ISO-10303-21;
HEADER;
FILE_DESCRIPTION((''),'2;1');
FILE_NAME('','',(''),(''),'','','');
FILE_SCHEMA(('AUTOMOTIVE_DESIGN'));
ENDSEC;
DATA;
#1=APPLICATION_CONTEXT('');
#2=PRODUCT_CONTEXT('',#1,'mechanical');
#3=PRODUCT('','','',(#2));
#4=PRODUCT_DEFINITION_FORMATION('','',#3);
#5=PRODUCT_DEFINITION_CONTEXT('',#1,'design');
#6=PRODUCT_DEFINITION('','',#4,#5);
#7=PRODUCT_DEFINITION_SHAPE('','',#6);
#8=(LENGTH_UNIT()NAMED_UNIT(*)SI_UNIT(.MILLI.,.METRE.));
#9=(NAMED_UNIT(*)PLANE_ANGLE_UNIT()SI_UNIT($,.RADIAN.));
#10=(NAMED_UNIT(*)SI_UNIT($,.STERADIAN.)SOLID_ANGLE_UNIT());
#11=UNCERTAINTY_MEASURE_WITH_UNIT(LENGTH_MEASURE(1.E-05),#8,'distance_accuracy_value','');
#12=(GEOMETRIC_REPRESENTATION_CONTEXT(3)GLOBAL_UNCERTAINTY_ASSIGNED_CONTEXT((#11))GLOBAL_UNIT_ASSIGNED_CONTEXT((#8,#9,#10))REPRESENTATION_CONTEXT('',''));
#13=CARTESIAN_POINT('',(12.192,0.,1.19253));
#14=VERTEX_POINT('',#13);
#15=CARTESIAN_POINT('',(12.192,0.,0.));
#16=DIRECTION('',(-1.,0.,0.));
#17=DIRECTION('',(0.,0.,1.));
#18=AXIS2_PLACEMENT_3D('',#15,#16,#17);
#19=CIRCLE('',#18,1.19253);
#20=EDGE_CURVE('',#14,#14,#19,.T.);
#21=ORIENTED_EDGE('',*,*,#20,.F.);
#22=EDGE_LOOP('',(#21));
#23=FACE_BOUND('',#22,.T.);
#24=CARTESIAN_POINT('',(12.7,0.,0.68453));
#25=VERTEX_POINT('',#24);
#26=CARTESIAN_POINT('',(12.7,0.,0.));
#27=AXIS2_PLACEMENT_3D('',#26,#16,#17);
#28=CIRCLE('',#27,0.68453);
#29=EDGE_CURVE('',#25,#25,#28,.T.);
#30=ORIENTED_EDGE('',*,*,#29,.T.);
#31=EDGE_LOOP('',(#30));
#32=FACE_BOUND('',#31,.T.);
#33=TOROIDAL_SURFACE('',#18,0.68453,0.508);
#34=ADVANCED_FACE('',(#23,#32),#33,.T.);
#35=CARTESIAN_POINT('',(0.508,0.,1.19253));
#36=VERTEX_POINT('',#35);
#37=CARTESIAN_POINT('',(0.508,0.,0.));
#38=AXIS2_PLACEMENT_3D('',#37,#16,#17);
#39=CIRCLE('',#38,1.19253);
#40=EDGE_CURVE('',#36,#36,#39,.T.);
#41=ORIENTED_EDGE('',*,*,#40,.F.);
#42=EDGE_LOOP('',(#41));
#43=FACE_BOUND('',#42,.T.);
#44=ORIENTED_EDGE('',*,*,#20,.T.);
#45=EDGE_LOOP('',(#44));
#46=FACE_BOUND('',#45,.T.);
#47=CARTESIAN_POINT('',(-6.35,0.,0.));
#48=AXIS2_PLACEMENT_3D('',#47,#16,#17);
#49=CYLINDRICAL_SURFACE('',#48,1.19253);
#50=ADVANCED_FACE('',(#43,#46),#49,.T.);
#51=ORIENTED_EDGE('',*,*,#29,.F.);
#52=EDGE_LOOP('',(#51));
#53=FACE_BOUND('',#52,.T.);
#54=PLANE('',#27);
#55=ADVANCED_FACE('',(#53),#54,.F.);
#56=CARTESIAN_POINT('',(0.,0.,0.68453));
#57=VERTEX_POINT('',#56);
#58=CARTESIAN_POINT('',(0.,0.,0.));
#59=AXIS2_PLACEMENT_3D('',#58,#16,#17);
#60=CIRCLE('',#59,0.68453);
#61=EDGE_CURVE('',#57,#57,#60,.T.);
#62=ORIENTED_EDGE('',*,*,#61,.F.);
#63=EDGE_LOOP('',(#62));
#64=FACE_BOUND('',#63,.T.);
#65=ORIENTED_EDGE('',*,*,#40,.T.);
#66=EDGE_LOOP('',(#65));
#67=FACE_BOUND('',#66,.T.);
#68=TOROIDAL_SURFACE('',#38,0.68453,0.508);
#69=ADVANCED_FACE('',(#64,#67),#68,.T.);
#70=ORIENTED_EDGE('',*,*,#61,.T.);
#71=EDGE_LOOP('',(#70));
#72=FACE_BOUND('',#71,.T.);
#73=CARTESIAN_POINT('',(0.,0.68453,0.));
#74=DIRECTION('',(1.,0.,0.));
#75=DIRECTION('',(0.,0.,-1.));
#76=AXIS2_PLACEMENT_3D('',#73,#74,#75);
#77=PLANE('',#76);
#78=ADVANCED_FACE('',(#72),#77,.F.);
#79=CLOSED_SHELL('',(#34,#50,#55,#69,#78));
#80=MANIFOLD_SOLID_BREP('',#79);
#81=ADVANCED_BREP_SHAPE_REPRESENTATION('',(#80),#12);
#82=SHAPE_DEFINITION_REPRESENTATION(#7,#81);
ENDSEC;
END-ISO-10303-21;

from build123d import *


with BuildPart() as part:
    # Sketch1 → Base-Revolve (revolve)
    with BuildSketch(Plane.XY):
        with BuildLine():
            Line((0, 0), (12.7, 0))
            Line((12.7, 0), (12.7, 0.68453))
            ThreePointArc((12.7, 0.68453), (12.551210245, 1.043740245), (12.192, 1.19253))
            Line((12.192, 1.19253), (0.508, 1.19253))
            ThreePointArc((0.508, 1.19253), (0.148789755, 1.043740245), (0, 0.68453))
            Line((0, 0.68453), (0, 0))
        make_face()
    revolve(axis=Axis((-6.35, 0, 0), (1, 0, 0)))


solid = part.part
